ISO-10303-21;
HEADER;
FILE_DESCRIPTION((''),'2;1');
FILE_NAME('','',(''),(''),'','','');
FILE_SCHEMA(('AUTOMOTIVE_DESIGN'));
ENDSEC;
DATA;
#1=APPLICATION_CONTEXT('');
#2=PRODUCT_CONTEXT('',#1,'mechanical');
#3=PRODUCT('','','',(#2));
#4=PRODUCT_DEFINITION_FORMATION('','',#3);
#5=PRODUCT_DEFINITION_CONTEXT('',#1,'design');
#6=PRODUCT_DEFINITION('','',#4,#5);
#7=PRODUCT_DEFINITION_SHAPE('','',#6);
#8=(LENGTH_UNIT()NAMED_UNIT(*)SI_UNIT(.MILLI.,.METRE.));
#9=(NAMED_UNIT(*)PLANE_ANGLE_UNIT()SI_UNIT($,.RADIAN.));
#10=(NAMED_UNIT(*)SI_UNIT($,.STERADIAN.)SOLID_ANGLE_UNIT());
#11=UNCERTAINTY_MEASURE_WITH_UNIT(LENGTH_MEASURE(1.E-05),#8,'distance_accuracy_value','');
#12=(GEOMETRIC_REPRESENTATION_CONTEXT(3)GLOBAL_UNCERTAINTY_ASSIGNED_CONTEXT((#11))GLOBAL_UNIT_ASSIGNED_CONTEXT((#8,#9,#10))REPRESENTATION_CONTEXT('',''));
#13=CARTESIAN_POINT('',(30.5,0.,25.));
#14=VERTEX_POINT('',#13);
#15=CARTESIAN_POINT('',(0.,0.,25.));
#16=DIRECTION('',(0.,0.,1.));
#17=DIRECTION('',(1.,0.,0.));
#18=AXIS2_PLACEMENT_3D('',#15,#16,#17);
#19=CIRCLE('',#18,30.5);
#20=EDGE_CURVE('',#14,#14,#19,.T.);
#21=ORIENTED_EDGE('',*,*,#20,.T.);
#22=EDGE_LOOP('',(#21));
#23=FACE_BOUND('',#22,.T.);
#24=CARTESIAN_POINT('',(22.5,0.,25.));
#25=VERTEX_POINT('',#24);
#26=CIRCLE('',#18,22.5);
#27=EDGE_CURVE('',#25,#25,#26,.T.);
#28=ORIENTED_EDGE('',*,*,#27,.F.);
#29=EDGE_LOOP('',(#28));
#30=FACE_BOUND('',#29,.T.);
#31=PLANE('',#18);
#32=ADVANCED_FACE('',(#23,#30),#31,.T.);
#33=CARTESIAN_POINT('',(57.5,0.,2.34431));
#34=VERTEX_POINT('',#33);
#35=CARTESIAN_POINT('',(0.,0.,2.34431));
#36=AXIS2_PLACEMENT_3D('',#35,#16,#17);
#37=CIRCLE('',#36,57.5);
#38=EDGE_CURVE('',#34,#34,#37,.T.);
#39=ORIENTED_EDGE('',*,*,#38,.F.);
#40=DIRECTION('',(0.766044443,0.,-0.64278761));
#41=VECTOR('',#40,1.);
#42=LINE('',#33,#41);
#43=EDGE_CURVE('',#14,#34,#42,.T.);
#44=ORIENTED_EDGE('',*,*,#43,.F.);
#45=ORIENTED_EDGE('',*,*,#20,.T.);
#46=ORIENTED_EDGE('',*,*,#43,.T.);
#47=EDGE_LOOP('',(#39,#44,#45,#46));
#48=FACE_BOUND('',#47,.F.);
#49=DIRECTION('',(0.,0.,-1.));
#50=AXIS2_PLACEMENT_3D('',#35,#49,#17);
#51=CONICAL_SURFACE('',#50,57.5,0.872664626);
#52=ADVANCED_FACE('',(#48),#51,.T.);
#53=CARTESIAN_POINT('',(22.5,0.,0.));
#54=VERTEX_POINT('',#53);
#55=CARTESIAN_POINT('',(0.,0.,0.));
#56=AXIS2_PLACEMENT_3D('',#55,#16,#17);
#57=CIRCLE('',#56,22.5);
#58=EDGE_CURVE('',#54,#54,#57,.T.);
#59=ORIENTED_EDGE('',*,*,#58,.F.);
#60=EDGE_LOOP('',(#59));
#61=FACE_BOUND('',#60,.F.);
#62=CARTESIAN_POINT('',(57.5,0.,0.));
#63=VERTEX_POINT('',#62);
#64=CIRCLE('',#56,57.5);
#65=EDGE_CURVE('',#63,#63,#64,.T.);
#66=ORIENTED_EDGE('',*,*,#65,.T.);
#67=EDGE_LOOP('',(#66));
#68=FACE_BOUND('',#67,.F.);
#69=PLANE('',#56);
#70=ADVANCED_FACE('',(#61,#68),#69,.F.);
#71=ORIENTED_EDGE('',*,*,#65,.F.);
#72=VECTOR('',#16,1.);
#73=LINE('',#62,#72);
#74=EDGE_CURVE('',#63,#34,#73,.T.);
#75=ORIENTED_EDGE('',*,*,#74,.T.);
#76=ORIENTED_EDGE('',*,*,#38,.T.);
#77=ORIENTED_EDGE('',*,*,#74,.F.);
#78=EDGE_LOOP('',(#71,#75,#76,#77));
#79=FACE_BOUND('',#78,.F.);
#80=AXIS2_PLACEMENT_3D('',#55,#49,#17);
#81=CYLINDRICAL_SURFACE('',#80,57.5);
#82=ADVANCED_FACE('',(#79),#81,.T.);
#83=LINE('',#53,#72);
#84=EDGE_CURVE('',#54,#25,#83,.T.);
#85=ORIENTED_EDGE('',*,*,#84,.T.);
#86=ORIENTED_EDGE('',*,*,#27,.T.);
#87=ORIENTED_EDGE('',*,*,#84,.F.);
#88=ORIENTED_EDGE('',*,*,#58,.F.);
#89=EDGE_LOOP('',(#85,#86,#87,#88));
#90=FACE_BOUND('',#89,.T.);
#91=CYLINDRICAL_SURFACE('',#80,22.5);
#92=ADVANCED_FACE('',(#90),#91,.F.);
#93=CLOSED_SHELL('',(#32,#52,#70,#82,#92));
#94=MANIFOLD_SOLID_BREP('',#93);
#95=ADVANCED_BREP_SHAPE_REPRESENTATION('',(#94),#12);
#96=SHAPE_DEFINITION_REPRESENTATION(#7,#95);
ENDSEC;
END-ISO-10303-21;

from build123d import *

# Parameters (mm, degrees)
F0_R     = 57.5
F0_R_2   = 22.5
F1_DEPTH = 25
F2_SIZE2 = 22.6556900418
F2_SIZE  = 27


with BuildPart() as f1:
    # F0 (on Top) → F1 (new body)
    with BuildSketch(Plane.XY):
        Circle(F0_R)
        Circle(F0_R_2, mode=Mode.SUBTRACT)
    extrude(amount=F1_DEPTH)

    # F2
    f2_edges = [f1.edges().sort_by_distance(p)[0] for p in [
        (-57.5, 0, 25),
    ]]
    f2_side = f1.faces().sort_by_distance((-55.873654, 0, 25))[0]
    chamfer(f2_edges, length=F2_SIZE, length2=F2_SIZE2, reference=f2_side)


solid = f1.part
